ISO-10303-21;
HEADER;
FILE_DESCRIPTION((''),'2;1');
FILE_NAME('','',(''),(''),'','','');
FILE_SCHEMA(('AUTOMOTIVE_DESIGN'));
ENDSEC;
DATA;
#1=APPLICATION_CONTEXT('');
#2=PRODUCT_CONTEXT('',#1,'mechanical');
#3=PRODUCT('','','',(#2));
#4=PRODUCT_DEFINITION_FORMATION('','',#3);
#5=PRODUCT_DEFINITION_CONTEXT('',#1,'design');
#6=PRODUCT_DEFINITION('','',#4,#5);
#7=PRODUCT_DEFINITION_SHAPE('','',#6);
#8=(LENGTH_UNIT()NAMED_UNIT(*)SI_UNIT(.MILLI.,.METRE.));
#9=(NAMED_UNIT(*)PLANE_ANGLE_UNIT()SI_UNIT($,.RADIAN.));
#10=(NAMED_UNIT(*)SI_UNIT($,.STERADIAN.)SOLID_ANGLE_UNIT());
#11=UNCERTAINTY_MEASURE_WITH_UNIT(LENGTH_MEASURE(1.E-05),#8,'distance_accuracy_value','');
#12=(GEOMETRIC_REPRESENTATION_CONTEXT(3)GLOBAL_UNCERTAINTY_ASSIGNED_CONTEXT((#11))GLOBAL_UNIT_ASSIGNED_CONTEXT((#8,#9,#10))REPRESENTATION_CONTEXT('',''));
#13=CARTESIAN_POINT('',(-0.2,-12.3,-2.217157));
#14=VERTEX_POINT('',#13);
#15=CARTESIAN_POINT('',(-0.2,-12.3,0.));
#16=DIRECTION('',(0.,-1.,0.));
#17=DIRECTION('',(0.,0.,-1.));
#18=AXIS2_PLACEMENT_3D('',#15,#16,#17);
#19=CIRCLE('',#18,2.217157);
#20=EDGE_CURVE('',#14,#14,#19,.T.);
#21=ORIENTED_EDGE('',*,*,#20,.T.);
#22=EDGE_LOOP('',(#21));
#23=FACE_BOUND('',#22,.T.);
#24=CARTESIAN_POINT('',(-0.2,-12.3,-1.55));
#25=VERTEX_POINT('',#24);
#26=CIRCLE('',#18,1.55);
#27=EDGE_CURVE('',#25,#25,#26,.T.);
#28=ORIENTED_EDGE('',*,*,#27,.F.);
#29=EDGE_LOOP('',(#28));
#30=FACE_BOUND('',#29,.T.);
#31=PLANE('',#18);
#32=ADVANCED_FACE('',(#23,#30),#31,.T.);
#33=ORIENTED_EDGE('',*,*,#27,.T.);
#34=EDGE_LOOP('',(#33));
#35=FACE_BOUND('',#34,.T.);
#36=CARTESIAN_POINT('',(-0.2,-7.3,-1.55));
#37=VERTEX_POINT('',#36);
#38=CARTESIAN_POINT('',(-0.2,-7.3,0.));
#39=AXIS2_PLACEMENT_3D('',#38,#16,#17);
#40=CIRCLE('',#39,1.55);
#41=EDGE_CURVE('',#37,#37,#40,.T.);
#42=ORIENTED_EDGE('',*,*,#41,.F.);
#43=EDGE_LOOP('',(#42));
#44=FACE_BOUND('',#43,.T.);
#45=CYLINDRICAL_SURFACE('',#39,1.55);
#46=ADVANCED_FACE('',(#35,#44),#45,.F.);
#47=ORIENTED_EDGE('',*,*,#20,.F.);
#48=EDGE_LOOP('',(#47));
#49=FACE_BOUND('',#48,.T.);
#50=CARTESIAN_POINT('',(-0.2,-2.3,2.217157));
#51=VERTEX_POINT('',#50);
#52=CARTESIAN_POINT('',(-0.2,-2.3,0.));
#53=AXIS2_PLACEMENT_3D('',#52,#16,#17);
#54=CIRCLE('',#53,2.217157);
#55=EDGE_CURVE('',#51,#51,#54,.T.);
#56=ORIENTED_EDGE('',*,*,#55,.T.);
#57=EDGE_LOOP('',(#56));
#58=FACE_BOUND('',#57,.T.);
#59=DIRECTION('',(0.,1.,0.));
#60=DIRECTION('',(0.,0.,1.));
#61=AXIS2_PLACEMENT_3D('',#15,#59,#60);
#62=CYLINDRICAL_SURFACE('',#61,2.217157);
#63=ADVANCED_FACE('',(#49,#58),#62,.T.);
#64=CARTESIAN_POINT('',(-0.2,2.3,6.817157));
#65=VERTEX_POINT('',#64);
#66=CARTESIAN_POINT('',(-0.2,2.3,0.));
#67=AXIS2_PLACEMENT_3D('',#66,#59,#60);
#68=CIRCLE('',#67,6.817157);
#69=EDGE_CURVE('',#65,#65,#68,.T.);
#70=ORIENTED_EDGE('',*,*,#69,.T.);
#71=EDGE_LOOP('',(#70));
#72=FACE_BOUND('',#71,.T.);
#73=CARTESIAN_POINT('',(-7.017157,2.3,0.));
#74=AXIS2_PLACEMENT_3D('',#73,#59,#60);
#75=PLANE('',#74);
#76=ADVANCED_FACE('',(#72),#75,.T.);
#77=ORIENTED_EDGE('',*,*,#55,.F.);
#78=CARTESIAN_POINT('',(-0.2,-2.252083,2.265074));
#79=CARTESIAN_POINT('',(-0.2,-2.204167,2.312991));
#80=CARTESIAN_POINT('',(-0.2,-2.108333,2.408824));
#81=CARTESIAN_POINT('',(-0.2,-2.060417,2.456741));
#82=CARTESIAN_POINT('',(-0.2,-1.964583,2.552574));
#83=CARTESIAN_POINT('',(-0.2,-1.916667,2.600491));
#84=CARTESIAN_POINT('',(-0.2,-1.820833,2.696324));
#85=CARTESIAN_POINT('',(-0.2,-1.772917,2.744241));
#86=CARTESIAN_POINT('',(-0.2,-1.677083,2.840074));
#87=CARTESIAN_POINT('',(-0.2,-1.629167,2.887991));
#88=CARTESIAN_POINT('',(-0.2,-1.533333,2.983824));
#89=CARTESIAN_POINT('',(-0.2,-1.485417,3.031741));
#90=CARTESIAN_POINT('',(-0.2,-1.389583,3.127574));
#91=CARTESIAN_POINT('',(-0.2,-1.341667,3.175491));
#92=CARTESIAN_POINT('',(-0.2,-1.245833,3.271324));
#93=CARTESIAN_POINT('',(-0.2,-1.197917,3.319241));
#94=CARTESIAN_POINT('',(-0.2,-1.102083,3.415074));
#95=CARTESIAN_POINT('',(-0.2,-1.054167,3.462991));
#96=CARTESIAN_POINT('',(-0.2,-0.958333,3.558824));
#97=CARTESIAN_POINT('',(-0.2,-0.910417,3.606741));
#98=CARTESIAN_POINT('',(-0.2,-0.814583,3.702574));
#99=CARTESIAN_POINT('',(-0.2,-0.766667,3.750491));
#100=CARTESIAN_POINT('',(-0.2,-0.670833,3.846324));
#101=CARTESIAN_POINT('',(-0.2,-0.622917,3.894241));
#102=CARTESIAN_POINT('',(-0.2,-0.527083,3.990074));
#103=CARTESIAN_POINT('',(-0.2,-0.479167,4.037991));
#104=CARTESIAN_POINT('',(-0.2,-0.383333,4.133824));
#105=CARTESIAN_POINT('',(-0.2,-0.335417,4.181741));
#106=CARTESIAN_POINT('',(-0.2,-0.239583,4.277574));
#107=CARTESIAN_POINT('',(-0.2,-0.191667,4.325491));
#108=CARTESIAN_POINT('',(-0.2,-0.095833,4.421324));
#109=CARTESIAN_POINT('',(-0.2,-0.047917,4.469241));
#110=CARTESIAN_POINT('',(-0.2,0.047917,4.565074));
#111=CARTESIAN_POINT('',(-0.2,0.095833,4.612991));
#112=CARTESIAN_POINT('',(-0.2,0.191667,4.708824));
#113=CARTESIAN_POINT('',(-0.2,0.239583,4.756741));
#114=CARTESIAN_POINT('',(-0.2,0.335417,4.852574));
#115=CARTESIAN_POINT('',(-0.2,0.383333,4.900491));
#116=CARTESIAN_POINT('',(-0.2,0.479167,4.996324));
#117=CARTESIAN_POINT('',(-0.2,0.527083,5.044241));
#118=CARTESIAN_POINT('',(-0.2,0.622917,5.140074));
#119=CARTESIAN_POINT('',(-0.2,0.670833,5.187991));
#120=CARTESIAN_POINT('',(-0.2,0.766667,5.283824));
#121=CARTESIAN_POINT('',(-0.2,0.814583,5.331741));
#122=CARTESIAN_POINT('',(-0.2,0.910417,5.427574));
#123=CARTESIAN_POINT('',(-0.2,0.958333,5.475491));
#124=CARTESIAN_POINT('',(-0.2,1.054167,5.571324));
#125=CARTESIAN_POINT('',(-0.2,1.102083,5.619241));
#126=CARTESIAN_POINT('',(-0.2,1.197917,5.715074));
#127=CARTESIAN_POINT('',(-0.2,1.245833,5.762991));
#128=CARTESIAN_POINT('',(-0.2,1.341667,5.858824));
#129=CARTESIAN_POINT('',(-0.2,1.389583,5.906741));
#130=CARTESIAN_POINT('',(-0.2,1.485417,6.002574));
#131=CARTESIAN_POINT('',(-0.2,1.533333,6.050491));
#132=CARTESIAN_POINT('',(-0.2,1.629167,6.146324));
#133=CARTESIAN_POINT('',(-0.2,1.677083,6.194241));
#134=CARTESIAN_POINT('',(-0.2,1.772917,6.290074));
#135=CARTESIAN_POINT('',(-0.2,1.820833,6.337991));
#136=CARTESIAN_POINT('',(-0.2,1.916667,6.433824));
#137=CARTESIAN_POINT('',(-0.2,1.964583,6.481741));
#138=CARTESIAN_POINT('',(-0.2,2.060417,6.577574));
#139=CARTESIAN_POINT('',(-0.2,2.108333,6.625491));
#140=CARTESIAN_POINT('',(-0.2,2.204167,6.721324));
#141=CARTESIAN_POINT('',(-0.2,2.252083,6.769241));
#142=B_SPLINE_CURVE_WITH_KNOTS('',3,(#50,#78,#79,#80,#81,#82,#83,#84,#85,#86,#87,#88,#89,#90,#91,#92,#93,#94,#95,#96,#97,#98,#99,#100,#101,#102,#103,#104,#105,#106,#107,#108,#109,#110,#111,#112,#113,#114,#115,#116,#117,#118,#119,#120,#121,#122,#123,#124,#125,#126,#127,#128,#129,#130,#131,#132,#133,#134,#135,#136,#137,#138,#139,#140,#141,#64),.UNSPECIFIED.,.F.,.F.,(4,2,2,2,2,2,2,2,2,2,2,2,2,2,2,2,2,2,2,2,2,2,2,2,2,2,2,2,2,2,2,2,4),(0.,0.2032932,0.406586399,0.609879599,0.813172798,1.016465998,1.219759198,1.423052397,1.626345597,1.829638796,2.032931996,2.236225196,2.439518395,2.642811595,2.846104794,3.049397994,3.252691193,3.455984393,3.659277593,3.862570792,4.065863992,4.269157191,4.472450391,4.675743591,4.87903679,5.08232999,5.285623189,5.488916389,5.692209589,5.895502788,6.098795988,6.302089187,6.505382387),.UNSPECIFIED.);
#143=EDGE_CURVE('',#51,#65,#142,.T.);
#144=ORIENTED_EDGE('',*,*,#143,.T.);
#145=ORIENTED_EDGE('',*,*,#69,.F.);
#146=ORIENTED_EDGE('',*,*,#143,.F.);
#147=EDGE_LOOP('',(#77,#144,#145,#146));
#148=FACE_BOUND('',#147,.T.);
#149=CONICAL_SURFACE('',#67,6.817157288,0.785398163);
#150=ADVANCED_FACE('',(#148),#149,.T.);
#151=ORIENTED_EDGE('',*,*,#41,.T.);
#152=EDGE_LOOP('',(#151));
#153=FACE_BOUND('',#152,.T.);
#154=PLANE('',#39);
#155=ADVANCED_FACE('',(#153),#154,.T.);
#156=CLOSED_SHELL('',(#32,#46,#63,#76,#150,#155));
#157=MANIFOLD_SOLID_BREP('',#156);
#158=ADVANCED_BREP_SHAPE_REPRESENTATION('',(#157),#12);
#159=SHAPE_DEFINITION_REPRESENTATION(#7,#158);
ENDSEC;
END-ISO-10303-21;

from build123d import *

# Parameters (mm, degrees)
SKETCH2_R           = 2.217157288
BOSS_EXTRUDE1_DEPTH = 10
SKETCH3_R           = 1.55
BOSS_EXTRUDE2_DEPTH = 3
SKETCH3_2_R         = 1.55
CUT_EXTRUDE1_DEPTH  = 5


with BuildPart() as part:
    # Sketch1 → Revolve1 (revolve)
    with BuildSketch(Plane.XY):
        Polygon((-0.2, 2.3), (-0.2, -2.3), (-2.417157288, -2.3), (-7.017157288, 2.3), align=None)
    revolve(axis=Axis((-0.2, 2.3, 0), (0, -1, 0)))

    # Sketch2 → Boss-Extrude1 (add)
    with BuildSketch(Plane.XZ.offset(2.3)):
        with Locations((-0.2, 0)):
            Circle(SKETCH2_R)
    extrude(amount=BOSS_EXTRUDE1_DEPTH)

    # Sketch3 → Boss-Extrude2 (add)
    with BuildSketch(Plane.XZ.offset(12.3)):
        with Locations((-0.2, 0)):
            Circle(SKETCH3_R)
    extrude(amount=-BOSS_EXTRUDE2_DEPTH)

    # Sketch3<2> → Cut-Extrude1 (cut)
    with BuildSketch(Plane.XZ.offset(12.3)):
        with Locations((-0.2, 0)):
            Circle(SKETCH3_2_R)
    extrude(amount=-CUT_EXTRUDE1_DEPTH, mode=Mode.SUBTRACT)


solid = part.part
